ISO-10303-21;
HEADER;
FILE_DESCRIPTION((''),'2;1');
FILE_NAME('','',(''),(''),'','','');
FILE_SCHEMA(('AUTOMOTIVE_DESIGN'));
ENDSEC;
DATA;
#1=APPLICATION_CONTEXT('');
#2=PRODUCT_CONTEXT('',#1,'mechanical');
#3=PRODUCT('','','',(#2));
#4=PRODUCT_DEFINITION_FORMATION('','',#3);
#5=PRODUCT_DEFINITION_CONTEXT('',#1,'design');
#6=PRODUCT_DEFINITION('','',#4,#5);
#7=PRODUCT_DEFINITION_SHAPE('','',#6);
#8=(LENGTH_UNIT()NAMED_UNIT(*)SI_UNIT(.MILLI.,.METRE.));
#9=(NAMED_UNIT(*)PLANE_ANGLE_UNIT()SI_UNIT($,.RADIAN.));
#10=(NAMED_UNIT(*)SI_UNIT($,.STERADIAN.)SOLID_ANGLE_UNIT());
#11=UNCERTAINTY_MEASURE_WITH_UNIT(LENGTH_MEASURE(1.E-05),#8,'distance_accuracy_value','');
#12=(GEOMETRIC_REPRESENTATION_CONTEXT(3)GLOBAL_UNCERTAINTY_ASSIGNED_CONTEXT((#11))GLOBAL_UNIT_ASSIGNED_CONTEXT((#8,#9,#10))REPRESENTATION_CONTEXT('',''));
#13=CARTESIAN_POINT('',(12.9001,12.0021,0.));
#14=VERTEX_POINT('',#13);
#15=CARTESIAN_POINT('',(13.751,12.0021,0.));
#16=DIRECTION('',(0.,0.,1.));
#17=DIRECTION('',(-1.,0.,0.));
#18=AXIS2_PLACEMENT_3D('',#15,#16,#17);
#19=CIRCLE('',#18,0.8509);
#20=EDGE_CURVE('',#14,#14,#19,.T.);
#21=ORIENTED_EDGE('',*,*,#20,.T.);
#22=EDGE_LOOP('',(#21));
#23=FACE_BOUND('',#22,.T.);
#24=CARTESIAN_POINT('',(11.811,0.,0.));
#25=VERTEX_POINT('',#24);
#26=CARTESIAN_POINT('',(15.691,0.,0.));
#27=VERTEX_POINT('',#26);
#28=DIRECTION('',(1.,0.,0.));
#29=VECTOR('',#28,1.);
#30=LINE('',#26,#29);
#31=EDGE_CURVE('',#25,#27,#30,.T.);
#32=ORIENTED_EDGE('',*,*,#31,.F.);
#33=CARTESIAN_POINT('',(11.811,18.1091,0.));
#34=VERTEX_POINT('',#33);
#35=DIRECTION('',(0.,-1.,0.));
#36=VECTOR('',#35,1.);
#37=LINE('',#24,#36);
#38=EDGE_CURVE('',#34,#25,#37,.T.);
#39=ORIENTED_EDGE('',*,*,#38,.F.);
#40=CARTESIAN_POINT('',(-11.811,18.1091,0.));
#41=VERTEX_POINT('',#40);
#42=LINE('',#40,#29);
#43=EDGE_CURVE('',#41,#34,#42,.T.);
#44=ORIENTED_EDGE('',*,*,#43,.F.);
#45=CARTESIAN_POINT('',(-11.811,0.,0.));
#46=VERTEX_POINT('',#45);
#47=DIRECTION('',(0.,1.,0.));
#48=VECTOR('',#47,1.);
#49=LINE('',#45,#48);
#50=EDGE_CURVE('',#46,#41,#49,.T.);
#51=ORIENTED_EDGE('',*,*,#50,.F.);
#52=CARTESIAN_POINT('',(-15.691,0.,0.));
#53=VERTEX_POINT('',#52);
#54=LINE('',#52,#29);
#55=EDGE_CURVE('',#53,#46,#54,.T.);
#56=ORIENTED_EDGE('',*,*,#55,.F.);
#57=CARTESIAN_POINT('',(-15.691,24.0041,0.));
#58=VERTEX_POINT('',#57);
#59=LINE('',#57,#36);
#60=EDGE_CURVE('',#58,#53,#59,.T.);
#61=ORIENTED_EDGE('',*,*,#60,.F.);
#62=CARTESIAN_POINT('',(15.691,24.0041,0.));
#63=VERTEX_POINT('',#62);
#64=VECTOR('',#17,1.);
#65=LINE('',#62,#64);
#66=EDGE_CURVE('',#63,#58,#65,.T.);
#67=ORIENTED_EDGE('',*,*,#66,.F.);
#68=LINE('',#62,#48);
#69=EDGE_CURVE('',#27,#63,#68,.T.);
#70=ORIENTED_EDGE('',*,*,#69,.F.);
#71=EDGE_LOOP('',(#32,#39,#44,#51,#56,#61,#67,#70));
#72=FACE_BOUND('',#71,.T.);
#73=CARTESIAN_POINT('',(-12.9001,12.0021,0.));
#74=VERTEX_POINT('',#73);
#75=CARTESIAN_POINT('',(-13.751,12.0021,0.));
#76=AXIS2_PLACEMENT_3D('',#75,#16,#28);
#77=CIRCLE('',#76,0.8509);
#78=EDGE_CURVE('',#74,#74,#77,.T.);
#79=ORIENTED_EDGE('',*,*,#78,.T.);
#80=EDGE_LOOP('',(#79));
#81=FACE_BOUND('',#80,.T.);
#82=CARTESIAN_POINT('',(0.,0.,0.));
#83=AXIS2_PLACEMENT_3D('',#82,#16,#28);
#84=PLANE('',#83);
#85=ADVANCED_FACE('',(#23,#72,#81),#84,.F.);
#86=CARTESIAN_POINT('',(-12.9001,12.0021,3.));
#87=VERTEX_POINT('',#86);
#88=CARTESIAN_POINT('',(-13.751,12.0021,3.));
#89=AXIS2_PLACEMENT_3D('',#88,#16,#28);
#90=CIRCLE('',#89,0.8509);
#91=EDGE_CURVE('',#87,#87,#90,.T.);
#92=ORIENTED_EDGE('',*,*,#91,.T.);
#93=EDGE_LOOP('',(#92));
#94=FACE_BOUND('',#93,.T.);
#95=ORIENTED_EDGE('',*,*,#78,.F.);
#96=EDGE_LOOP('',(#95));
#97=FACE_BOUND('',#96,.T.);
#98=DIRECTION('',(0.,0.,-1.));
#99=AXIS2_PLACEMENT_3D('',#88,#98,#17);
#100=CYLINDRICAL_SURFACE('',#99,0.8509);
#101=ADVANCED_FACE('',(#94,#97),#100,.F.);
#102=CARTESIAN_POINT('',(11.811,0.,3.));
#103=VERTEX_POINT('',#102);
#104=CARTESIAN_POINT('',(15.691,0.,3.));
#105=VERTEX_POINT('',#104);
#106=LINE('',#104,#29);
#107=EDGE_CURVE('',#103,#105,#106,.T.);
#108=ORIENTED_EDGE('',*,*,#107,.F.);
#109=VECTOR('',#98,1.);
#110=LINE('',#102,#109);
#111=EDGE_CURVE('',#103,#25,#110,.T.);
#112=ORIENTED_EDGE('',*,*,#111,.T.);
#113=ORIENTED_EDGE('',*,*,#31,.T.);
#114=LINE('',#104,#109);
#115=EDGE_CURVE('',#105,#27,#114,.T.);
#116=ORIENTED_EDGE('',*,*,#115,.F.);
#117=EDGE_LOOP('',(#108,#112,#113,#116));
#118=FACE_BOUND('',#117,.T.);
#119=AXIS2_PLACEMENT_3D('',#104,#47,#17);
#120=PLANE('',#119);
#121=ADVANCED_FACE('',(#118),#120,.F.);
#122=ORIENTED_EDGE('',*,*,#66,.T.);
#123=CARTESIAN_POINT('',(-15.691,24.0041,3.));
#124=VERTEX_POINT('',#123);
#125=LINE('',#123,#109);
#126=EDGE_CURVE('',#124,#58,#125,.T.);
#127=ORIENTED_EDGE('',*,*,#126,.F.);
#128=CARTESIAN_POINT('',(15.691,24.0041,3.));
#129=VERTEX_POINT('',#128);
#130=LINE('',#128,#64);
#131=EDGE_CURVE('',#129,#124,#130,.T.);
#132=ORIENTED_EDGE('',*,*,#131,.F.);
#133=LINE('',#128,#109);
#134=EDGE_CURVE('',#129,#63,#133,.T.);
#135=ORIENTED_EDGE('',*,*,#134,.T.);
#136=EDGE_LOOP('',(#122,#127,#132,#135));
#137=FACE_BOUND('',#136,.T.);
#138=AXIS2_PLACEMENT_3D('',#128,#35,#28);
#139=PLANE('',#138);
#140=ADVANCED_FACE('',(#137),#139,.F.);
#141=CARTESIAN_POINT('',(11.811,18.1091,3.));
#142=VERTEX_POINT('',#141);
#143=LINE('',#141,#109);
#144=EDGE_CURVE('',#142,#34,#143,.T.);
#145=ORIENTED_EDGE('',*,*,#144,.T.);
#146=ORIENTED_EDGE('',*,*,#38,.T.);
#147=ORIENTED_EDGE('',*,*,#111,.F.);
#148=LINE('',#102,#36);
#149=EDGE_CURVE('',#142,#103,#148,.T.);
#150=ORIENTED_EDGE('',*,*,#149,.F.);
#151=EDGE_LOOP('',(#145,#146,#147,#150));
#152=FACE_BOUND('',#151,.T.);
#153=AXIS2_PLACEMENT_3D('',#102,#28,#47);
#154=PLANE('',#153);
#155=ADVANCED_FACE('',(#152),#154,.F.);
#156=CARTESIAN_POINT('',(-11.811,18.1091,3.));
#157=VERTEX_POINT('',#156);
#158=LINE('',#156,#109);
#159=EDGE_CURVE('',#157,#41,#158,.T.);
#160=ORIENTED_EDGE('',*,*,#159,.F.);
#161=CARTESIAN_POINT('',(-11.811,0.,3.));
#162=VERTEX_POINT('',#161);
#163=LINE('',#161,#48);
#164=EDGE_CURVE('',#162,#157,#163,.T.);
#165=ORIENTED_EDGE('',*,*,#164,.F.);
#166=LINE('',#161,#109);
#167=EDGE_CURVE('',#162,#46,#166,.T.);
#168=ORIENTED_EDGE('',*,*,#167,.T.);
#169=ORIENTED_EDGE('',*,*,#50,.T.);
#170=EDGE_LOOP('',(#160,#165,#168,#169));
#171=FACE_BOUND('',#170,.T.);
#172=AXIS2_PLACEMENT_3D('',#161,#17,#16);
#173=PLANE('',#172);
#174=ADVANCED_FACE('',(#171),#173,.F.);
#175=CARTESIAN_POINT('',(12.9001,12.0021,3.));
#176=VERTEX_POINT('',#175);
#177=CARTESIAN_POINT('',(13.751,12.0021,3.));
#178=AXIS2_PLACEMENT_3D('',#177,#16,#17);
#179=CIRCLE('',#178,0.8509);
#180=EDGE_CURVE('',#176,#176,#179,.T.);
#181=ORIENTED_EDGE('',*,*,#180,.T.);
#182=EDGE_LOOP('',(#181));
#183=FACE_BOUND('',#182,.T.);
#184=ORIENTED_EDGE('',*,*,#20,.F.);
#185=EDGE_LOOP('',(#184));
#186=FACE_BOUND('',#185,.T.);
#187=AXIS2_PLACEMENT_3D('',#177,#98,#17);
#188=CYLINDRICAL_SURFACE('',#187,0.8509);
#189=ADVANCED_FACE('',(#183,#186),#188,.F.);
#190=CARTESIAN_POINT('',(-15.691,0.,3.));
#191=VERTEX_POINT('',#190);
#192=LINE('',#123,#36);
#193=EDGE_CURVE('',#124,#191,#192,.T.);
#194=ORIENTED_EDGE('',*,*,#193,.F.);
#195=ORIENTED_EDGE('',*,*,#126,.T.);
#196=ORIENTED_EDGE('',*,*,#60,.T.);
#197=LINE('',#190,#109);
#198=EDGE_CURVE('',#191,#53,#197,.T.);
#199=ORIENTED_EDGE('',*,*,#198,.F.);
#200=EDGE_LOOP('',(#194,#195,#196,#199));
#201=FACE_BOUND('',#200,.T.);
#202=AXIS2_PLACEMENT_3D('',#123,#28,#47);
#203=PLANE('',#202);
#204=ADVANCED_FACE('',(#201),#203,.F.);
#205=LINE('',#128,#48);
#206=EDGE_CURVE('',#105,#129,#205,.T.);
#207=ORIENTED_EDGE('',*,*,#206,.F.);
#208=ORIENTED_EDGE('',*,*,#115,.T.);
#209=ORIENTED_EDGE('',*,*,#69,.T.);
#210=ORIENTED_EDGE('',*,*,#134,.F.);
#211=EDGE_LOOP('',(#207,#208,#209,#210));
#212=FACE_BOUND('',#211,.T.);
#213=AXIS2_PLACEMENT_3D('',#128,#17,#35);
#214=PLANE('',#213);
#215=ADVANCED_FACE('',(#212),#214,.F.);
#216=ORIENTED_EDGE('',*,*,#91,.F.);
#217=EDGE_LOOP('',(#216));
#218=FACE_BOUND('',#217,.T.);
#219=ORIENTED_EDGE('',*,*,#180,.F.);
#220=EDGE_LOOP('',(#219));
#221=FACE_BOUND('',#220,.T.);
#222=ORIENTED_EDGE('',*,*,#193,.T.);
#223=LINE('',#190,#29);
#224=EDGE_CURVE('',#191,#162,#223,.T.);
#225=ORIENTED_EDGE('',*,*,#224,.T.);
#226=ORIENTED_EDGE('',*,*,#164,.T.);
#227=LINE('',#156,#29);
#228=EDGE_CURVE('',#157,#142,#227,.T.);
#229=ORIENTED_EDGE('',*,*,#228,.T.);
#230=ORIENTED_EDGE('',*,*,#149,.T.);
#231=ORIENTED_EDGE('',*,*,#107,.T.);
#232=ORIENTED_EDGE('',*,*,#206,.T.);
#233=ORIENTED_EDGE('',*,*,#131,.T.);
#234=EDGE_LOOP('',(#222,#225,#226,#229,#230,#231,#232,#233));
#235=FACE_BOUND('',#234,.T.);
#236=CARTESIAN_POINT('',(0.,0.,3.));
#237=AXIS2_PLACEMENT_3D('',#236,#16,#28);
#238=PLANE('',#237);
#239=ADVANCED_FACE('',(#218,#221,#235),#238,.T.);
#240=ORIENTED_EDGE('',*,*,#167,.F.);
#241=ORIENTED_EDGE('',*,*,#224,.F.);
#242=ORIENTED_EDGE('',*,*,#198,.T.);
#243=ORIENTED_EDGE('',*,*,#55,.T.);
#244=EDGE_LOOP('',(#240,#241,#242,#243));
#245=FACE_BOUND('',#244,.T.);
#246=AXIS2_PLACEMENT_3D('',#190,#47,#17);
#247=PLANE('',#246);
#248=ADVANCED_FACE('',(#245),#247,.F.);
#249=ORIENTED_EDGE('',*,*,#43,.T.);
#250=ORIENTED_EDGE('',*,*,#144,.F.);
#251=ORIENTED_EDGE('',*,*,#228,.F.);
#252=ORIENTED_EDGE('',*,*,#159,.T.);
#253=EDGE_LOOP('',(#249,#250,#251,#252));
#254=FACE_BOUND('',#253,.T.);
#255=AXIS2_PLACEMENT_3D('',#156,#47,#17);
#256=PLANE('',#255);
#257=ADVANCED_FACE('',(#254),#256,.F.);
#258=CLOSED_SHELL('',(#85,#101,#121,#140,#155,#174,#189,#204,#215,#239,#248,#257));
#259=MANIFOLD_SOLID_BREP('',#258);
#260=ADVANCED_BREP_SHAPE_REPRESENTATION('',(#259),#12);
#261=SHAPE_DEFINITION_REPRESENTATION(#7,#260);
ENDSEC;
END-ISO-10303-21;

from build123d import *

# Parameters (mm, degrees)
SKETCH1_R           = 0.8509
BOSS_EXTRUDE1_DEPTH = 3


with BuildPart() as part:
    # Sketch1 → Boss-Extrude1 (new body)
    with BuildSketch(Plane.XY):
        Polygon((15.691, 24.0041), (-15.691, 24.0041), (-15.691, 0), (-11.811, 0), (-11.811, 18.1091), (11.811, 18.1091), (11.811, 0), (15.691, 0), align=None)
        with Locations((-13.751, 12.0021)):
            Circle(SKETCH1_R, mode=Mode.SUBTRACT)
        with Locations(Location((13.751, 12.0021, 0), (0, 0, 180))):
            Circle(SKETCH1_R, mode=Mode.SUBTRACT)
    extrude(amount=BOSS_EXTRUDE1_DEPTH)


solid = part.part
